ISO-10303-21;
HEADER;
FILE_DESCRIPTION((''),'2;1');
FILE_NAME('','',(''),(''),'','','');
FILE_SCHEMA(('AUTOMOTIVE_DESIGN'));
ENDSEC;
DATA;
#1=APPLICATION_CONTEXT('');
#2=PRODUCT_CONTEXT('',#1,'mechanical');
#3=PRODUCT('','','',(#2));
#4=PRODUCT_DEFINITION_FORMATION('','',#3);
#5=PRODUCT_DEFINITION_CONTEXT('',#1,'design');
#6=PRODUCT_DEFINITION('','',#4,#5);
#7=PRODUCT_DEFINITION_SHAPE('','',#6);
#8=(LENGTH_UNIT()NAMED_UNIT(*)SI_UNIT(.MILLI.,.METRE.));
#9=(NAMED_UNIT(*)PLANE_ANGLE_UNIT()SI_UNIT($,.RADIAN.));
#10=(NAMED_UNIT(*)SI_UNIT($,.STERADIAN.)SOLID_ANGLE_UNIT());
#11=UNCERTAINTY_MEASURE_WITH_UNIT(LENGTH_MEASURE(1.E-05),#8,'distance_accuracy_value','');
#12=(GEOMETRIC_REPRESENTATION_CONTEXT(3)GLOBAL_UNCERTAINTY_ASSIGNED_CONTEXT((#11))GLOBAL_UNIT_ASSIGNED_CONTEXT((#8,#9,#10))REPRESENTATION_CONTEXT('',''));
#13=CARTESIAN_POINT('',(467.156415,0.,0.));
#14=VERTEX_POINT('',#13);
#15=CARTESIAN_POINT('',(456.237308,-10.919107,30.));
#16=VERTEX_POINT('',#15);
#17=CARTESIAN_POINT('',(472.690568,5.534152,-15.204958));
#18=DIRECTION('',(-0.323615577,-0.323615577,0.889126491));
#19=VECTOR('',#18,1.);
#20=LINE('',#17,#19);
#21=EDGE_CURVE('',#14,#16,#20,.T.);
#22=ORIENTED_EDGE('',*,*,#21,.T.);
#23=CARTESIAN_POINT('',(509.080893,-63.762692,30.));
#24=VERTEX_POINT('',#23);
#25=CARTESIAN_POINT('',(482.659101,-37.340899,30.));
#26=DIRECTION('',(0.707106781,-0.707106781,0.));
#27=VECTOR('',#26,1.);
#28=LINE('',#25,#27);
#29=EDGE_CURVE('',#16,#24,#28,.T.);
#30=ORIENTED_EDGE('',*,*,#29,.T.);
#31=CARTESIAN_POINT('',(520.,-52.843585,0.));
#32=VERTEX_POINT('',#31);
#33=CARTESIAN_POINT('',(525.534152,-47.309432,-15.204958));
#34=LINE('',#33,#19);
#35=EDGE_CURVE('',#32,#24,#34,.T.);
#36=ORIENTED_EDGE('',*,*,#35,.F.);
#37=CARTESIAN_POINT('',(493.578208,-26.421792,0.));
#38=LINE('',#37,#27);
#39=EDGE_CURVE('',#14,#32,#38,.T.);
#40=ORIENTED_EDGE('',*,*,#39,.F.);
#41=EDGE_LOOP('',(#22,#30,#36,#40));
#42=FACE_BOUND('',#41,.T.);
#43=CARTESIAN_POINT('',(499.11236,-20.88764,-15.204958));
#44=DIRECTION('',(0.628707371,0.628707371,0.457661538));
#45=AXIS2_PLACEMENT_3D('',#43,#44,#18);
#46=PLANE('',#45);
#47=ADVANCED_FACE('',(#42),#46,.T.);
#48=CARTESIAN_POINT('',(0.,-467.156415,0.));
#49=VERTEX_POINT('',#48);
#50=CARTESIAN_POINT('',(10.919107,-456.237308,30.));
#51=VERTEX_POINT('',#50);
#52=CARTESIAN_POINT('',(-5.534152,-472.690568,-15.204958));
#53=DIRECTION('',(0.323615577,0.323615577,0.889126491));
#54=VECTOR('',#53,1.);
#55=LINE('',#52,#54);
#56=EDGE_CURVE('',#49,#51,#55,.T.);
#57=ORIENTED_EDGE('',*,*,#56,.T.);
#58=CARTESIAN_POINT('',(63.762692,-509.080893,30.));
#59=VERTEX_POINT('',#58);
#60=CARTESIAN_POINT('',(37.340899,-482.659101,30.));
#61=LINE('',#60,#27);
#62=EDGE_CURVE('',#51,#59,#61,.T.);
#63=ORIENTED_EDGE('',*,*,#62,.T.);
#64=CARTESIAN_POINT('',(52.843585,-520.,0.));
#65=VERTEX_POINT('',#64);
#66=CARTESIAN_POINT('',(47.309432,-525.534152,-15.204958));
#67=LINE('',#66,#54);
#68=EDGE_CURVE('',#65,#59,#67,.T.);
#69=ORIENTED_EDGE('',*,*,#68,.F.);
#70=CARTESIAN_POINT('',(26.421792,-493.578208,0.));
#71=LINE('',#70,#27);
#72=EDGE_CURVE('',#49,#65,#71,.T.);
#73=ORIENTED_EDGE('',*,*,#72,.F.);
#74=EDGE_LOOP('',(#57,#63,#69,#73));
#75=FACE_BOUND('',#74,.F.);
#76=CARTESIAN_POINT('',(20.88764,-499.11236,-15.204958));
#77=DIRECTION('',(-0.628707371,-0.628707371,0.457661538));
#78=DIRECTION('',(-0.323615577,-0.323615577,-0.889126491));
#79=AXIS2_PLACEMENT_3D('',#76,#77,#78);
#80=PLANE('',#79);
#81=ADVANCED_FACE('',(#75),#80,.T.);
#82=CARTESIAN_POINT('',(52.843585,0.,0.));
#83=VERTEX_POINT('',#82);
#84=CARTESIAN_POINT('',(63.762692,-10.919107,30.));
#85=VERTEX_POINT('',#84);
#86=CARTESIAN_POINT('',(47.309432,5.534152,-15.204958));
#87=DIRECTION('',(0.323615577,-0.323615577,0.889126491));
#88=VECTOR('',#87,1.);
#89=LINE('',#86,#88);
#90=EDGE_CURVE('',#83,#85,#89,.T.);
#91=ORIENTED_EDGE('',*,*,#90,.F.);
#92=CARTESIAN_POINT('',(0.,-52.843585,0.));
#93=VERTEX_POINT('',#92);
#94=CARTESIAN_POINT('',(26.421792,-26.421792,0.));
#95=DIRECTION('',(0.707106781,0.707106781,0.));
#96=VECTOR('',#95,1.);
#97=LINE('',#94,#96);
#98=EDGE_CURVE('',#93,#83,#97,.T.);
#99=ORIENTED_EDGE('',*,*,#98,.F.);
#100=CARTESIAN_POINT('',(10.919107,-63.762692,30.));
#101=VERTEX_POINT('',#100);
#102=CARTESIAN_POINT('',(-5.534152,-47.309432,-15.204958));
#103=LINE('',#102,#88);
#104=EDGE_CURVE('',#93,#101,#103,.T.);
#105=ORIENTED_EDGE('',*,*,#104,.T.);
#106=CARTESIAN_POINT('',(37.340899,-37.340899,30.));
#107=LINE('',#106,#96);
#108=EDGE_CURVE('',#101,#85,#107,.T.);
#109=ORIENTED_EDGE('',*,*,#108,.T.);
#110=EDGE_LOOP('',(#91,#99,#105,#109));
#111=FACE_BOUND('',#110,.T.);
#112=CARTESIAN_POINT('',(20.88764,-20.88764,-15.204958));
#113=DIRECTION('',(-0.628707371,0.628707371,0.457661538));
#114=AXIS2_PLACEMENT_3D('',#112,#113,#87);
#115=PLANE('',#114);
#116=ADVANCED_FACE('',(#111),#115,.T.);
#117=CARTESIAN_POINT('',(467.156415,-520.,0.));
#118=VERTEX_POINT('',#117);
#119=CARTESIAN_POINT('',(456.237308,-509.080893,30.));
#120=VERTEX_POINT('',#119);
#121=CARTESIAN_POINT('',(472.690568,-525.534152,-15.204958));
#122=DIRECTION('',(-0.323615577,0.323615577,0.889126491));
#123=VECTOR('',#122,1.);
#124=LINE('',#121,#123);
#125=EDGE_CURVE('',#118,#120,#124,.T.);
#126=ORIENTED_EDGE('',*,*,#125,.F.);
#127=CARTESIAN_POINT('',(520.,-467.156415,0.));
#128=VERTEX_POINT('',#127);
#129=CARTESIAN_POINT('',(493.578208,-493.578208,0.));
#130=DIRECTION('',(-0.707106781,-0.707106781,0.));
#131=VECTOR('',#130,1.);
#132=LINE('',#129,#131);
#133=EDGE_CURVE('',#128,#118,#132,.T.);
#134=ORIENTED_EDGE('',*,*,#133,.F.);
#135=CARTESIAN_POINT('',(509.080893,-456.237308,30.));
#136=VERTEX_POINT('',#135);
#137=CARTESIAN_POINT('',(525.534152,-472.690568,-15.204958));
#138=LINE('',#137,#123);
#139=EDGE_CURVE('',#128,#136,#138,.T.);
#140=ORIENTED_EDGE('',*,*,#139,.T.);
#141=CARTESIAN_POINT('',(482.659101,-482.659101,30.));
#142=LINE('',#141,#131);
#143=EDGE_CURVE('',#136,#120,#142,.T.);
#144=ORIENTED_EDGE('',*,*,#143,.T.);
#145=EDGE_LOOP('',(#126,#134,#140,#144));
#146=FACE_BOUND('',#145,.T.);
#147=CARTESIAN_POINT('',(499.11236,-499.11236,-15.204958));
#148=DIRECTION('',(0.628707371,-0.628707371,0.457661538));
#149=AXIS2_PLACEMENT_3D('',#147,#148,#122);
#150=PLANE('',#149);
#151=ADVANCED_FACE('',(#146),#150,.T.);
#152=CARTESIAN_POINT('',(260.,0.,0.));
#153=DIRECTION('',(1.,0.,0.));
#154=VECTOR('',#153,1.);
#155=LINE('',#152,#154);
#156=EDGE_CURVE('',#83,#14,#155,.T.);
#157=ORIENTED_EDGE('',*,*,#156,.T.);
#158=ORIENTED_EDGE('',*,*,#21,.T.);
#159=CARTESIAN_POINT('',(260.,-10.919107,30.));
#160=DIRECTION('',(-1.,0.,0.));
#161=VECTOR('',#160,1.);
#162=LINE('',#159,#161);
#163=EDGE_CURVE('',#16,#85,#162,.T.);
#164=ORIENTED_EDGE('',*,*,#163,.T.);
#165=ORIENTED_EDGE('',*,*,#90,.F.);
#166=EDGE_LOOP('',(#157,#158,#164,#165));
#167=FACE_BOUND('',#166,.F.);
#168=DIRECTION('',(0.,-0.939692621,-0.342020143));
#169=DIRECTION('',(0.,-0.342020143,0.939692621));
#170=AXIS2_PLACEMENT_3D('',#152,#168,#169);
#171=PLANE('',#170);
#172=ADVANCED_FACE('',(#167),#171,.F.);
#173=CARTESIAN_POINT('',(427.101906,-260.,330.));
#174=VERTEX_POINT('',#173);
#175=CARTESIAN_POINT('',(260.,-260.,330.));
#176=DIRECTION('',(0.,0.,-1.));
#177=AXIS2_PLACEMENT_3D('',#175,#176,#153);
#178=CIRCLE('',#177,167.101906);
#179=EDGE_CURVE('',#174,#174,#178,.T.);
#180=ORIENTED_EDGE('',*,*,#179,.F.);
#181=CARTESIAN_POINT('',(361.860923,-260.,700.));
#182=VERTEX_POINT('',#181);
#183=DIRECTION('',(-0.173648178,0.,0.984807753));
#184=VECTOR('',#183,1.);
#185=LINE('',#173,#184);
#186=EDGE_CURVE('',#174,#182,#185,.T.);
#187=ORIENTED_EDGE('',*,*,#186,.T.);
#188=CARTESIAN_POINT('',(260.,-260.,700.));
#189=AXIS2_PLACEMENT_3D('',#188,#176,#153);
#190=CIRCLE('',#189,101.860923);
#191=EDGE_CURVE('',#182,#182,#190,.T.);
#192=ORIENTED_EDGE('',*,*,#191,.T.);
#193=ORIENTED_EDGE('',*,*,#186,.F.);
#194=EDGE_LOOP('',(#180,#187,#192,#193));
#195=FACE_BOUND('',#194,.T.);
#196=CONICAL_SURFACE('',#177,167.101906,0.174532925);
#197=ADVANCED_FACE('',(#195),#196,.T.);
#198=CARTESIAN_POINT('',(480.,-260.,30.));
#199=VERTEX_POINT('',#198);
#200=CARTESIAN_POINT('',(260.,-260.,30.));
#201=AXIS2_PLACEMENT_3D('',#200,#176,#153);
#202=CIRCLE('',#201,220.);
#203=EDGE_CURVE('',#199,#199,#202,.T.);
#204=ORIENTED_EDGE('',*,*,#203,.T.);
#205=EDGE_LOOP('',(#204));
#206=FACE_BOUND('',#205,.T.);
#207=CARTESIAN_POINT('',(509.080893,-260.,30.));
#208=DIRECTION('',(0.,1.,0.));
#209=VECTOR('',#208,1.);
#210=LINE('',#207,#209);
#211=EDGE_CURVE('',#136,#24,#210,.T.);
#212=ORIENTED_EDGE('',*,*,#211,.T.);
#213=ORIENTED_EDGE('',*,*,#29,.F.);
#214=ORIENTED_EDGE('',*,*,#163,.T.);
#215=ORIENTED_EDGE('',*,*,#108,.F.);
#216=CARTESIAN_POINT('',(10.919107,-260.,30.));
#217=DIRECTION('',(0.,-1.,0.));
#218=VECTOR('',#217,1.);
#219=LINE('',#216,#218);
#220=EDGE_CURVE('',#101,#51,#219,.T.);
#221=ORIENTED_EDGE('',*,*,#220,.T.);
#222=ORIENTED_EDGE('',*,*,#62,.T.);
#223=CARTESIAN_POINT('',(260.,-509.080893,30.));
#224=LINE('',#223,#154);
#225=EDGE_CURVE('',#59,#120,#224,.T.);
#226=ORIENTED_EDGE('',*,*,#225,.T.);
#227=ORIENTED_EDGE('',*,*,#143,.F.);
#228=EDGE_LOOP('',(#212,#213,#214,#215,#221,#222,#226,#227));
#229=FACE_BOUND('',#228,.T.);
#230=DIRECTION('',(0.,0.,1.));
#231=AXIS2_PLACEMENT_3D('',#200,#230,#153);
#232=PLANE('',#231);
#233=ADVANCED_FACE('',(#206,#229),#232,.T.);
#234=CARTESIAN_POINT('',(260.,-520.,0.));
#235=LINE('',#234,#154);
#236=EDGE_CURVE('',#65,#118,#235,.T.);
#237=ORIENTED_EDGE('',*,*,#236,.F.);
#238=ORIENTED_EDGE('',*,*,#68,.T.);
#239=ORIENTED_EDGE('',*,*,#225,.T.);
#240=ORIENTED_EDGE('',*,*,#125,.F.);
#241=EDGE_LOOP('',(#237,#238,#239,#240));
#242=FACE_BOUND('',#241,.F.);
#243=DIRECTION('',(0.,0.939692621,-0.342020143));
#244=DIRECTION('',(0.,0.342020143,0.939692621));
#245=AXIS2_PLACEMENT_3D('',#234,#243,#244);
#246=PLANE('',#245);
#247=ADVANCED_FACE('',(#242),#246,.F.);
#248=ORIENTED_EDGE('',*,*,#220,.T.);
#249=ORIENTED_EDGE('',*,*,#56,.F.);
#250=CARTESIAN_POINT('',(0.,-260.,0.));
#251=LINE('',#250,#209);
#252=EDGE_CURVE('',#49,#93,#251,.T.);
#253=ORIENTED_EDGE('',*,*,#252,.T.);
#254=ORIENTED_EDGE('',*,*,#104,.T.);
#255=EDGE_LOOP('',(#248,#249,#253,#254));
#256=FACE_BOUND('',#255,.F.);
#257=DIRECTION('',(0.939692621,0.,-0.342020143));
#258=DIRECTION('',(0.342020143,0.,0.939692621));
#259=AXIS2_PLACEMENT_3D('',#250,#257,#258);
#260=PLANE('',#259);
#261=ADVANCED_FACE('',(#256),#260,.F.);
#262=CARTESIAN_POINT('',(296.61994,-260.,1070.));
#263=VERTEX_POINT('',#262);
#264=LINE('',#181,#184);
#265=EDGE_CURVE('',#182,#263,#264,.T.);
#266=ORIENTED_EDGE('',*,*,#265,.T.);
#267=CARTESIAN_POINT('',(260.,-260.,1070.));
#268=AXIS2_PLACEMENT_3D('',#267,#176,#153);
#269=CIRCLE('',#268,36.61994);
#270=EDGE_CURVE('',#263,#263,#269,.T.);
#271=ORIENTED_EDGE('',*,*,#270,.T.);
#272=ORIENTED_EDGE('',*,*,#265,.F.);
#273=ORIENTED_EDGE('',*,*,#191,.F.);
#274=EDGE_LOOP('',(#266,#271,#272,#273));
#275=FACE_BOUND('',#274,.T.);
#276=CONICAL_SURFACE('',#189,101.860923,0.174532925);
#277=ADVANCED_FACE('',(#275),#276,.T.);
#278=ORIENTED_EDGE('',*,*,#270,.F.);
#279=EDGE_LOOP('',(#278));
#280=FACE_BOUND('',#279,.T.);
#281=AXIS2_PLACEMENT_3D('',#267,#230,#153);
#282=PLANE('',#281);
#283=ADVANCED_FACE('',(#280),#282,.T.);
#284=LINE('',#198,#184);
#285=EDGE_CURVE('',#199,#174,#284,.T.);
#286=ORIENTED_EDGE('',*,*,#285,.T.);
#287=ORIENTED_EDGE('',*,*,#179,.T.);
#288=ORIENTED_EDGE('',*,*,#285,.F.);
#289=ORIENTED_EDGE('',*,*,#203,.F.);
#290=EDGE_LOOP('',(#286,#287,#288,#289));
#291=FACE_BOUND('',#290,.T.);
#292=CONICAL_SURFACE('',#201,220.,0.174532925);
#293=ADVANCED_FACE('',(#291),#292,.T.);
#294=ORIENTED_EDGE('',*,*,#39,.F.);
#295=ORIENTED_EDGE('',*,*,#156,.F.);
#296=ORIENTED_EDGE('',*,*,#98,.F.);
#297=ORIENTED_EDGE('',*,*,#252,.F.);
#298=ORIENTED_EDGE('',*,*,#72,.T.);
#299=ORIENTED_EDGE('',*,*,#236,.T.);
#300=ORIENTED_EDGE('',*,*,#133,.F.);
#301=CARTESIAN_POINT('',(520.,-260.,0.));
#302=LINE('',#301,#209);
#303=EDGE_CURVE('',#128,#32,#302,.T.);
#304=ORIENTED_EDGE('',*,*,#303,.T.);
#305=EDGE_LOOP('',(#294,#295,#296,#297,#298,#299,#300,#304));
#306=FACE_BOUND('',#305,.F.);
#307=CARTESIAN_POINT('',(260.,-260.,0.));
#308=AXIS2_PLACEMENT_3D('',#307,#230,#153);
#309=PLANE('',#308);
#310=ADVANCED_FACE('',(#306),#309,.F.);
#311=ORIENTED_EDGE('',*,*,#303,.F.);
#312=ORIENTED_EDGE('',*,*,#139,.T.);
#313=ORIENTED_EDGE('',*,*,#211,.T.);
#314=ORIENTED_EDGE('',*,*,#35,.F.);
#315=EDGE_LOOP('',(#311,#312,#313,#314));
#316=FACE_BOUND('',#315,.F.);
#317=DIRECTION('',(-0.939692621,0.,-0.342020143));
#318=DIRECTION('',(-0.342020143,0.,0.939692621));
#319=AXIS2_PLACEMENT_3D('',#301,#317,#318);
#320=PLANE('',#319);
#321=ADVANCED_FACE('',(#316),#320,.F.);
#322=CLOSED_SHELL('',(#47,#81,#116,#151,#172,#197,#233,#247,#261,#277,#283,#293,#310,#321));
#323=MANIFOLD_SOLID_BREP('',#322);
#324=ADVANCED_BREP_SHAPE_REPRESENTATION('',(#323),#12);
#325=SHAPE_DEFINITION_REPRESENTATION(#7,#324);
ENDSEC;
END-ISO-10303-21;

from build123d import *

# Parameters (mm, degrees)
SKETCH_W     = 520
SKETCH_H     = 520
PAD_DEPTH    = 30
PAD_TAPER    = 20
CHAMFER_SIZE = 50
SKETCH001_R  = 220
PAD001_DEPTH = 300
PAD001_TAPER = 10
SKETCH002_R  = 167.101906
PAD002_DEPTH = 370
PAD002_TAPER = 10
SKETCH003_R  = 101.860923
PAD003_DEPTH = 370
PAD003_TAPER = 10


with BuildPart() as part:
    # Sketch → Pad (new body)
    with BuildSketch(Plane.XY):
        with Locations((260, -260)):
            Rectangle(SKETCH_W, SKETCH_H)
    extrude(amount=PAD_DEPTH, taper=PAD_TAPER)

    # Chamfer
    chamfer_edges = [part.edges().sort_by_distance(p)[0] for p in [
        (514.540446, -514.540446, 15),
        (514.540446, -5.459554, 15),
        (5.459554, -514.540446, 15),
        (5.459554, -5.459554, 15),
    ]]
    chamfer(chamfer_edges, length=CHAMFER_SIZE)

    # Sketch001 (on Face5 of Chamfer) → Pad001 (join)
    with BuildSketch(Plane.XY.offset(30)):
        with Locations((260, -260)):
            Circle(SKETCH001_R)
    extrude(amount=PAD001_DEPTH, taper=PAD001_TAPER)

    # Sketch002 (on Face12 of Pad001) → Pad002 (join)
    with BuildSketch(Plane.XY.offset(330)):
        with Locations((260, -260)):
            Circle(SKETCH002_R)
    extrude(amount=PAD002_DEPTH, taper=PAD002_TAPER)

    # Sketch003 (on Face13 of Pad002) → Pad003 (join)
    with BuildSketch(Plane.XY.offset(700)):
        with Locations((260, -260)):
            Circle(SKETCH003_R)
    extrude(amount=PAD003_DEPTH, taper=PAD003_TAPER)


solid = part.part
